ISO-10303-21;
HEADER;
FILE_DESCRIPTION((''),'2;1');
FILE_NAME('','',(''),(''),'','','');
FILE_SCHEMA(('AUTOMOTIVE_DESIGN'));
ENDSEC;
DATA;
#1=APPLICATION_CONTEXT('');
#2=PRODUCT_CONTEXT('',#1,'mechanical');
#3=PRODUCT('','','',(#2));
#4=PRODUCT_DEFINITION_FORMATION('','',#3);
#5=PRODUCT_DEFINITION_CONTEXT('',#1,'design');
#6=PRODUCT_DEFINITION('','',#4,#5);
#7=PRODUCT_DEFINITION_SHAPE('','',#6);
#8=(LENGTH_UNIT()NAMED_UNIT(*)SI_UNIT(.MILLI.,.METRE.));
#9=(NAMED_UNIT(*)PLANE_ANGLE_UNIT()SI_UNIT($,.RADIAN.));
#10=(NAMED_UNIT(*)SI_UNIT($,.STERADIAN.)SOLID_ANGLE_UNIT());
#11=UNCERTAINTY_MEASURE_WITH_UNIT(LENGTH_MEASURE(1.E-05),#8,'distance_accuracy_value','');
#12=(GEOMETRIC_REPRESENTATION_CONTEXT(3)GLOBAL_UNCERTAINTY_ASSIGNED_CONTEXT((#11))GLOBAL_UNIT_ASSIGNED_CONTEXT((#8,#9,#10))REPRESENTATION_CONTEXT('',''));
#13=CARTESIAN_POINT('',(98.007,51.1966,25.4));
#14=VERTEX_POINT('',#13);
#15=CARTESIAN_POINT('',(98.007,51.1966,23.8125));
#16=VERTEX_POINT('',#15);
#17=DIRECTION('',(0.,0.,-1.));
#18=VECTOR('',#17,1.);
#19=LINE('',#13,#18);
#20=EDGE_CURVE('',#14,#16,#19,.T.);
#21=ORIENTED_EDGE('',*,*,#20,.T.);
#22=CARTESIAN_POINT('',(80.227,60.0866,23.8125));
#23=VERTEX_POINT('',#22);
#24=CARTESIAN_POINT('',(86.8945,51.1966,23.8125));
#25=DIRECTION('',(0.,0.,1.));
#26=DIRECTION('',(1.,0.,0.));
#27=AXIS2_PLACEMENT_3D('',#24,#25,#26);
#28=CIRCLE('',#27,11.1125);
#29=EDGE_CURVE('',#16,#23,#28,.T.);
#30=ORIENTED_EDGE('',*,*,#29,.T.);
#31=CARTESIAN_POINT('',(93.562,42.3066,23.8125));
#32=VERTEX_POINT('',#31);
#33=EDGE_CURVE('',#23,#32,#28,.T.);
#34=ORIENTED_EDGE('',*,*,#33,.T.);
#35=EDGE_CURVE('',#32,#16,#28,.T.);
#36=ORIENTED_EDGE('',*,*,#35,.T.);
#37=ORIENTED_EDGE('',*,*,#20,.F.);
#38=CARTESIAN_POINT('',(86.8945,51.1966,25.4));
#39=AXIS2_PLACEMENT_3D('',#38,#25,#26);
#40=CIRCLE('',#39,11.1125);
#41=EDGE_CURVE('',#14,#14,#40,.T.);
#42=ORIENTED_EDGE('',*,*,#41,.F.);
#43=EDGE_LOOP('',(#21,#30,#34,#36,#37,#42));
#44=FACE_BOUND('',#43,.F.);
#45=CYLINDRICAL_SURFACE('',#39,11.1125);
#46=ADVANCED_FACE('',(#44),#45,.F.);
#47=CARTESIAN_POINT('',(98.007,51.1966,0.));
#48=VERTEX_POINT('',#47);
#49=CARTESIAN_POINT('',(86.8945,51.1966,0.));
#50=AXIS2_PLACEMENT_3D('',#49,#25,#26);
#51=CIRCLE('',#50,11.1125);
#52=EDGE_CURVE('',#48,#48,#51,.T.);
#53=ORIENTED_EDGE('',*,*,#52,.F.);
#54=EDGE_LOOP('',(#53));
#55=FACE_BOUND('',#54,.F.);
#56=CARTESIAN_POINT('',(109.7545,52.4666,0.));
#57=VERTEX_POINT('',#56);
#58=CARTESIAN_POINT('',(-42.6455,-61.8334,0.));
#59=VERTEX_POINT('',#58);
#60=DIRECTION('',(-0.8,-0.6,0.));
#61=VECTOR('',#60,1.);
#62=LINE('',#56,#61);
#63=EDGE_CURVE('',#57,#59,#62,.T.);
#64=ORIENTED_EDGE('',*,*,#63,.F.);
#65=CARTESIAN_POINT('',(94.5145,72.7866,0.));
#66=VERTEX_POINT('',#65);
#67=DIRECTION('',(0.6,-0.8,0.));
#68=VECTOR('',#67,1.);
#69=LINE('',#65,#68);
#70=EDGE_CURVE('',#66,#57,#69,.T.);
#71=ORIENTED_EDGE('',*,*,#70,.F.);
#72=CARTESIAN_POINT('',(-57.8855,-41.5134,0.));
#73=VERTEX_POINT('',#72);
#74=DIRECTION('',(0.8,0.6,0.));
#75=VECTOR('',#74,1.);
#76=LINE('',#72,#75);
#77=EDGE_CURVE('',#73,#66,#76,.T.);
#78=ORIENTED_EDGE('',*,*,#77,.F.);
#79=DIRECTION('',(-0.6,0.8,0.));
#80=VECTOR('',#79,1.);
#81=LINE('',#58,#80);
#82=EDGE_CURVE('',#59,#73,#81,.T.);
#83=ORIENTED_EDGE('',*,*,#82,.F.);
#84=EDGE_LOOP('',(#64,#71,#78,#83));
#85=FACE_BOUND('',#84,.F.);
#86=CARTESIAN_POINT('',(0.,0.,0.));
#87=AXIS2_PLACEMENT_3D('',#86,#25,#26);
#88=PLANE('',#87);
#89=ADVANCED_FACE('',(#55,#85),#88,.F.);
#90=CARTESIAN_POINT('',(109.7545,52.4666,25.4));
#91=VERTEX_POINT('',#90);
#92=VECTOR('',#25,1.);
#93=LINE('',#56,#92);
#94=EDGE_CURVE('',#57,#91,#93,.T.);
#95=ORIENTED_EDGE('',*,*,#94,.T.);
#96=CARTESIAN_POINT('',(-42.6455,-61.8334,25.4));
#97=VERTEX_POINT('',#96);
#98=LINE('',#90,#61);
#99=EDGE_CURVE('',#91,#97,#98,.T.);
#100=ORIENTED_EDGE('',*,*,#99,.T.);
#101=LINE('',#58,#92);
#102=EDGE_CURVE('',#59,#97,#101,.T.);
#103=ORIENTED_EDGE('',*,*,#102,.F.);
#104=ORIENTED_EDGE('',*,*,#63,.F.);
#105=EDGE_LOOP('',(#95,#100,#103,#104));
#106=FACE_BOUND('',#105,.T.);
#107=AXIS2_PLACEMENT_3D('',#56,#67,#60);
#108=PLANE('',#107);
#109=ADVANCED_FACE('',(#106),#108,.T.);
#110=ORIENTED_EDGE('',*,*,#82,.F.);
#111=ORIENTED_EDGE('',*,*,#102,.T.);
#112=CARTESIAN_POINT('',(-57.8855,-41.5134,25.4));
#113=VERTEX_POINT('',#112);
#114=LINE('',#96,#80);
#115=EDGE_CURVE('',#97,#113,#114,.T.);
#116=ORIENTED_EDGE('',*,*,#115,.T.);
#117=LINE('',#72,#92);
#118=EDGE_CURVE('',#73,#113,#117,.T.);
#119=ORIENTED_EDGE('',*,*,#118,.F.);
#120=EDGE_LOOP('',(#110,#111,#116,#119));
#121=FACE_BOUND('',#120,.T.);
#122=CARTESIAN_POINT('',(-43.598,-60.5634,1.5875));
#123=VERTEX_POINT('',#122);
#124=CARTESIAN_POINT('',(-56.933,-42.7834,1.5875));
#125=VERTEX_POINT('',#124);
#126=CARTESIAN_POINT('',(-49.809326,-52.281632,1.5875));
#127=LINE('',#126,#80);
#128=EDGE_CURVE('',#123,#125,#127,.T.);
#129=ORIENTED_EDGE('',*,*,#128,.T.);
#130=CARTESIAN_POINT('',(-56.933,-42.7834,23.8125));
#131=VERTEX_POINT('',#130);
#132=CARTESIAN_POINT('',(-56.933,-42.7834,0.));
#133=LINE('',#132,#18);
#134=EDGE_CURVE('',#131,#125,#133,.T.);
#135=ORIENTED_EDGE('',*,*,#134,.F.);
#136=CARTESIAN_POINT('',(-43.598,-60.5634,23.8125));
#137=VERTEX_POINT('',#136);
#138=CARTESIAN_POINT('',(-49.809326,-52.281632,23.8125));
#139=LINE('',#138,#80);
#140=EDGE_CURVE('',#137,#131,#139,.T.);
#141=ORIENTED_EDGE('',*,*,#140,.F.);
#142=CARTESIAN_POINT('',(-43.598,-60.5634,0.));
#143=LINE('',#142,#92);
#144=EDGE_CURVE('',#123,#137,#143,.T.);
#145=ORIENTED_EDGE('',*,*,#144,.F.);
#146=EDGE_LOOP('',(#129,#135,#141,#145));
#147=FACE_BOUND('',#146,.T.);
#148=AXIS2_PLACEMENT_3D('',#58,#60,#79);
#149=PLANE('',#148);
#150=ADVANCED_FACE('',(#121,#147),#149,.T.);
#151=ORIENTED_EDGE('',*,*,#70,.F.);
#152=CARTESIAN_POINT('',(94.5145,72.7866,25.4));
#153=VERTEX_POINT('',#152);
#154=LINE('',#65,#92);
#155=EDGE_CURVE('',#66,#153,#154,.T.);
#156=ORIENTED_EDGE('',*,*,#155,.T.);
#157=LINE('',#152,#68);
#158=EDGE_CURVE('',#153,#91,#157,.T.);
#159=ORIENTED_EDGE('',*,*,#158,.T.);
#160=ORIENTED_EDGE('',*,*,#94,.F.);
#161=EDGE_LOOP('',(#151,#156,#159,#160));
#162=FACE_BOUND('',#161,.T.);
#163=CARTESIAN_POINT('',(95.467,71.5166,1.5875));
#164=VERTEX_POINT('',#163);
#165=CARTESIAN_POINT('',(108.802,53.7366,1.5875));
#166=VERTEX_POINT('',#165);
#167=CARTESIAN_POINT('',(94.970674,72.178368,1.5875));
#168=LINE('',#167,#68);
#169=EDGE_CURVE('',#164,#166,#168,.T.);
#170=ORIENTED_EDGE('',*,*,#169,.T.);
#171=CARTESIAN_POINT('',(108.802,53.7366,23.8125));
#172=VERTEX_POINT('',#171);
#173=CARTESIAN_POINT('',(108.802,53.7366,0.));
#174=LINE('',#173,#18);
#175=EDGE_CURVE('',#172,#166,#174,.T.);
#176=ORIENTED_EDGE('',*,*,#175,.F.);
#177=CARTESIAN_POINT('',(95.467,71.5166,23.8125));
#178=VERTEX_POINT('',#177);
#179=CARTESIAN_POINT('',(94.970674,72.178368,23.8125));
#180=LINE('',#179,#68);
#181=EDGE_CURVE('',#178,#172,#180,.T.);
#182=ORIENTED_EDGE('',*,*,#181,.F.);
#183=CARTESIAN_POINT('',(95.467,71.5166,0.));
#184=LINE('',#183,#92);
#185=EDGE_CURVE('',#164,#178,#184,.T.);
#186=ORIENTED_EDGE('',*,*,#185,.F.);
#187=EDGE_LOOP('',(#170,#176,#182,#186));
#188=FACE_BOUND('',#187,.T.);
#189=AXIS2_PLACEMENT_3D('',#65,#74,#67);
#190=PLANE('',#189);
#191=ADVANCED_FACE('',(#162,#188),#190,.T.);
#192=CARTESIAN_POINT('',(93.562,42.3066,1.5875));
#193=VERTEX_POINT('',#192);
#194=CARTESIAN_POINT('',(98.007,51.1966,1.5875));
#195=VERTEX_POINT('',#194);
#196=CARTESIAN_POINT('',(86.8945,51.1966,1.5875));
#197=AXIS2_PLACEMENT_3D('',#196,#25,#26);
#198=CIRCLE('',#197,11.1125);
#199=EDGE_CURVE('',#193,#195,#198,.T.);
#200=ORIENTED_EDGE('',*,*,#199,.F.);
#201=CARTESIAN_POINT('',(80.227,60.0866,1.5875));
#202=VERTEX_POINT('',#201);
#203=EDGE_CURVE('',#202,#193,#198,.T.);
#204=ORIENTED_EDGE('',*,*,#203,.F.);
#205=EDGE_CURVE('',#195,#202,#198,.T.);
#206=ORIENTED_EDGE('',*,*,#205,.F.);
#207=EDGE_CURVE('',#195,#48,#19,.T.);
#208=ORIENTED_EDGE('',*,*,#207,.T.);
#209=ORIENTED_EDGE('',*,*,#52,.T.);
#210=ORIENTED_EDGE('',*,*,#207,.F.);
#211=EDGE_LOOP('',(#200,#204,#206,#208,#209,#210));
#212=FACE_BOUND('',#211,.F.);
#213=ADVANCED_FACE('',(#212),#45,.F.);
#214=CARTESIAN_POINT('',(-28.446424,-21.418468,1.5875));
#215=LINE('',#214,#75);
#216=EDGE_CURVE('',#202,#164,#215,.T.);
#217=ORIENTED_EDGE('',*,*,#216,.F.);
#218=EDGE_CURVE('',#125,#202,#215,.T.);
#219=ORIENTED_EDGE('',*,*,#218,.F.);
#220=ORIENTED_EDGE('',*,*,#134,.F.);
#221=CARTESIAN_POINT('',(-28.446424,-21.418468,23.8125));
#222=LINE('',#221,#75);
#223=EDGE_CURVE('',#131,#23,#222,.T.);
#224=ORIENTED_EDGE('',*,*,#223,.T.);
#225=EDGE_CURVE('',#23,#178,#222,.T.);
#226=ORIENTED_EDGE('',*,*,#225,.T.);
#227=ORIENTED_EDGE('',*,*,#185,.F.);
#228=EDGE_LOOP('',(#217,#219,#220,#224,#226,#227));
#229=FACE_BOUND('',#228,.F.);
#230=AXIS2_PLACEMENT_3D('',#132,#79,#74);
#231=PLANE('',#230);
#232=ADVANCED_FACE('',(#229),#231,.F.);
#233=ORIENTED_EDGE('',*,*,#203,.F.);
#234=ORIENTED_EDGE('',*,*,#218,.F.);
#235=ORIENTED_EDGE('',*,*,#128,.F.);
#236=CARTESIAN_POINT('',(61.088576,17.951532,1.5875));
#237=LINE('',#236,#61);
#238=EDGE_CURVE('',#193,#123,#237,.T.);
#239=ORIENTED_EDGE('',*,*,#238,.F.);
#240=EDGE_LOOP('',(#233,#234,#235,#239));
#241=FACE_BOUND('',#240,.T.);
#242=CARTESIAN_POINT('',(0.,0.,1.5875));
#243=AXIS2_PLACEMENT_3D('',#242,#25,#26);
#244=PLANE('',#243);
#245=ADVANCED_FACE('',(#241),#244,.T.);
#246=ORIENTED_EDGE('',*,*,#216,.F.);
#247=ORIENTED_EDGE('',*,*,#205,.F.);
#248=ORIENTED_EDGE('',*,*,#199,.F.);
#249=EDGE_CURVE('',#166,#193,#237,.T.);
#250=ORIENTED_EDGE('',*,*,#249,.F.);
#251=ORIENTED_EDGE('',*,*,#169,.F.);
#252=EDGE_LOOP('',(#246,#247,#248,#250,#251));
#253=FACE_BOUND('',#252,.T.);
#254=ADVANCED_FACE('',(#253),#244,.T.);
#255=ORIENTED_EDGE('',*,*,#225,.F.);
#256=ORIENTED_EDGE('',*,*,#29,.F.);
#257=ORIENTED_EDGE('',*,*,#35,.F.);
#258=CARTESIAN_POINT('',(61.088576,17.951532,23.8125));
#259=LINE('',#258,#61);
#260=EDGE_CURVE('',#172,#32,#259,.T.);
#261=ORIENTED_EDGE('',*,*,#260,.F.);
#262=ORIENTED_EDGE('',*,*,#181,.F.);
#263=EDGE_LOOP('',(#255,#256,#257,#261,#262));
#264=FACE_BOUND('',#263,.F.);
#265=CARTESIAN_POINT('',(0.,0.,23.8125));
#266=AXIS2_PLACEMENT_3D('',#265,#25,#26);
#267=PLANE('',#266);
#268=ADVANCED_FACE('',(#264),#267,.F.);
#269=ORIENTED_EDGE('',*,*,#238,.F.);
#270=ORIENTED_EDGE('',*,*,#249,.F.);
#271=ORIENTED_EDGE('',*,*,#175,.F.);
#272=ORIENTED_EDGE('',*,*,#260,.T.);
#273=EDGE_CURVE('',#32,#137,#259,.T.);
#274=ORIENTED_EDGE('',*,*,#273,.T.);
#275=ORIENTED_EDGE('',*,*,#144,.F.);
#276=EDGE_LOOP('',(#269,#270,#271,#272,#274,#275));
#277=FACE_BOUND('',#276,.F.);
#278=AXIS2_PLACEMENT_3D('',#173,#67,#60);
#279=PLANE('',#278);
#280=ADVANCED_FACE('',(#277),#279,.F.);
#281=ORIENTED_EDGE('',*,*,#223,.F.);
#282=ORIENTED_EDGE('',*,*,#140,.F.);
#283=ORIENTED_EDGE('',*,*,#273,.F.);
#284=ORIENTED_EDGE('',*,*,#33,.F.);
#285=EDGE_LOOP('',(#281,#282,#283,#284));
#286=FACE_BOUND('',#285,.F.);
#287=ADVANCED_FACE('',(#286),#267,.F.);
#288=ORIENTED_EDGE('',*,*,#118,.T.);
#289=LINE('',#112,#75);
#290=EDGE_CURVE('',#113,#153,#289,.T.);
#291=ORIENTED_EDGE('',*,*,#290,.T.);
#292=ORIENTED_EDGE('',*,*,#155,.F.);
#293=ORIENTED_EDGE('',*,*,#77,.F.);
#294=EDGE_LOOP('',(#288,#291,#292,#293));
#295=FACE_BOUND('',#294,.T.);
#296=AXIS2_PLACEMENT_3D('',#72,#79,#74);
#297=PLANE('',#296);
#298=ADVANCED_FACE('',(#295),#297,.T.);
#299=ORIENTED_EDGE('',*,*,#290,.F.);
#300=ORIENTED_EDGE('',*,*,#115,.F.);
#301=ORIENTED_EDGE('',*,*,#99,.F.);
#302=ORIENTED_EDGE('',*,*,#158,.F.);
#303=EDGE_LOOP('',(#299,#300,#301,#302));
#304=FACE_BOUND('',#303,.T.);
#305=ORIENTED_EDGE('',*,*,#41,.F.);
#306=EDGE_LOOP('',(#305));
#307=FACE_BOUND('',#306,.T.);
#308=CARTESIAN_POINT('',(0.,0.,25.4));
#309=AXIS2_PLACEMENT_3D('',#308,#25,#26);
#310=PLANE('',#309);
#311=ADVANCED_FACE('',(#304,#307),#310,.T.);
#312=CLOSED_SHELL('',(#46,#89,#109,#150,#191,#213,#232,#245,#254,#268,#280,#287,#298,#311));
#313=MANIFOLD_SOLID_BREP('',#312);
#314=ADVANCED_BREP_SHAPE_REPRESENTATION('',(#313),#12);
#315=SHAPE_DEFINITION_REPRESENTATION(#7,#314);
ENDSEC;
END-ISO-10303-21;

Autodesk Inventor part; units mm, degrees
ref_plane "YZ Plane" through (0, 0, 0) normal (1, 0, 0) x (0, 1, 0)
ref_plane "XZ Plane" through (0, 0, 0) normal (0, 1, 0) x (-1, 0, 0)
ref_plane "XY Plane" through (0, 0, 0) normal (0, 0, 1) x (1, 0, 0)
sketch "Sketch1" plane through (0, 0, 0) normal (0, 0, 1) x (1, 0, 0)
  line L0 (-42.6455, -61.8334) -> (-57.8855, -41.5134)
  line L1 (-57.8855, -41.5134) -> (94.5145, 72.7866)
  line L2 (94.5145, 72.7866) -> (109.7545, 52.4666)
  line L3 (109.7545, 52.4666) -> (-42.6455, -61.8334)
  point P0 (0, 0)
  dimension "d0" = 25.4
  dimension "d1" = 190.5
extrude "Extrusion1" add sketch "Sketch1" along normal blind 25.4
shell "Shell1" thickness 1.5875 removed faces 2 at (-47.7255, -55.0601, 8.4667) at (99.5945, 66.0133, 16.9333)
sketch "Sketch2" plane through (0, 0, 25.4) normal (0, 0, 1) x (1, 0, 0)
  line L0 (109.7545, 52.4666) -> (-42.6455, -61.8334) projected
  line L1 (94.5145, 72.7866) -> (109.7545, 52.4666) projected
  circle A0 centre (86.8945, 51.1966) radius 11.1125
  point P0 (0, 0)
  dimension "d5" = 22.225
  dimension "d6" = 12.7
  dimension "d7" = 19.05
extrude "Extrusion2" cut sketch "Sketch2" against normal through all
properties part number "Shovel_RollerMount" material "Aluminum-6061"
